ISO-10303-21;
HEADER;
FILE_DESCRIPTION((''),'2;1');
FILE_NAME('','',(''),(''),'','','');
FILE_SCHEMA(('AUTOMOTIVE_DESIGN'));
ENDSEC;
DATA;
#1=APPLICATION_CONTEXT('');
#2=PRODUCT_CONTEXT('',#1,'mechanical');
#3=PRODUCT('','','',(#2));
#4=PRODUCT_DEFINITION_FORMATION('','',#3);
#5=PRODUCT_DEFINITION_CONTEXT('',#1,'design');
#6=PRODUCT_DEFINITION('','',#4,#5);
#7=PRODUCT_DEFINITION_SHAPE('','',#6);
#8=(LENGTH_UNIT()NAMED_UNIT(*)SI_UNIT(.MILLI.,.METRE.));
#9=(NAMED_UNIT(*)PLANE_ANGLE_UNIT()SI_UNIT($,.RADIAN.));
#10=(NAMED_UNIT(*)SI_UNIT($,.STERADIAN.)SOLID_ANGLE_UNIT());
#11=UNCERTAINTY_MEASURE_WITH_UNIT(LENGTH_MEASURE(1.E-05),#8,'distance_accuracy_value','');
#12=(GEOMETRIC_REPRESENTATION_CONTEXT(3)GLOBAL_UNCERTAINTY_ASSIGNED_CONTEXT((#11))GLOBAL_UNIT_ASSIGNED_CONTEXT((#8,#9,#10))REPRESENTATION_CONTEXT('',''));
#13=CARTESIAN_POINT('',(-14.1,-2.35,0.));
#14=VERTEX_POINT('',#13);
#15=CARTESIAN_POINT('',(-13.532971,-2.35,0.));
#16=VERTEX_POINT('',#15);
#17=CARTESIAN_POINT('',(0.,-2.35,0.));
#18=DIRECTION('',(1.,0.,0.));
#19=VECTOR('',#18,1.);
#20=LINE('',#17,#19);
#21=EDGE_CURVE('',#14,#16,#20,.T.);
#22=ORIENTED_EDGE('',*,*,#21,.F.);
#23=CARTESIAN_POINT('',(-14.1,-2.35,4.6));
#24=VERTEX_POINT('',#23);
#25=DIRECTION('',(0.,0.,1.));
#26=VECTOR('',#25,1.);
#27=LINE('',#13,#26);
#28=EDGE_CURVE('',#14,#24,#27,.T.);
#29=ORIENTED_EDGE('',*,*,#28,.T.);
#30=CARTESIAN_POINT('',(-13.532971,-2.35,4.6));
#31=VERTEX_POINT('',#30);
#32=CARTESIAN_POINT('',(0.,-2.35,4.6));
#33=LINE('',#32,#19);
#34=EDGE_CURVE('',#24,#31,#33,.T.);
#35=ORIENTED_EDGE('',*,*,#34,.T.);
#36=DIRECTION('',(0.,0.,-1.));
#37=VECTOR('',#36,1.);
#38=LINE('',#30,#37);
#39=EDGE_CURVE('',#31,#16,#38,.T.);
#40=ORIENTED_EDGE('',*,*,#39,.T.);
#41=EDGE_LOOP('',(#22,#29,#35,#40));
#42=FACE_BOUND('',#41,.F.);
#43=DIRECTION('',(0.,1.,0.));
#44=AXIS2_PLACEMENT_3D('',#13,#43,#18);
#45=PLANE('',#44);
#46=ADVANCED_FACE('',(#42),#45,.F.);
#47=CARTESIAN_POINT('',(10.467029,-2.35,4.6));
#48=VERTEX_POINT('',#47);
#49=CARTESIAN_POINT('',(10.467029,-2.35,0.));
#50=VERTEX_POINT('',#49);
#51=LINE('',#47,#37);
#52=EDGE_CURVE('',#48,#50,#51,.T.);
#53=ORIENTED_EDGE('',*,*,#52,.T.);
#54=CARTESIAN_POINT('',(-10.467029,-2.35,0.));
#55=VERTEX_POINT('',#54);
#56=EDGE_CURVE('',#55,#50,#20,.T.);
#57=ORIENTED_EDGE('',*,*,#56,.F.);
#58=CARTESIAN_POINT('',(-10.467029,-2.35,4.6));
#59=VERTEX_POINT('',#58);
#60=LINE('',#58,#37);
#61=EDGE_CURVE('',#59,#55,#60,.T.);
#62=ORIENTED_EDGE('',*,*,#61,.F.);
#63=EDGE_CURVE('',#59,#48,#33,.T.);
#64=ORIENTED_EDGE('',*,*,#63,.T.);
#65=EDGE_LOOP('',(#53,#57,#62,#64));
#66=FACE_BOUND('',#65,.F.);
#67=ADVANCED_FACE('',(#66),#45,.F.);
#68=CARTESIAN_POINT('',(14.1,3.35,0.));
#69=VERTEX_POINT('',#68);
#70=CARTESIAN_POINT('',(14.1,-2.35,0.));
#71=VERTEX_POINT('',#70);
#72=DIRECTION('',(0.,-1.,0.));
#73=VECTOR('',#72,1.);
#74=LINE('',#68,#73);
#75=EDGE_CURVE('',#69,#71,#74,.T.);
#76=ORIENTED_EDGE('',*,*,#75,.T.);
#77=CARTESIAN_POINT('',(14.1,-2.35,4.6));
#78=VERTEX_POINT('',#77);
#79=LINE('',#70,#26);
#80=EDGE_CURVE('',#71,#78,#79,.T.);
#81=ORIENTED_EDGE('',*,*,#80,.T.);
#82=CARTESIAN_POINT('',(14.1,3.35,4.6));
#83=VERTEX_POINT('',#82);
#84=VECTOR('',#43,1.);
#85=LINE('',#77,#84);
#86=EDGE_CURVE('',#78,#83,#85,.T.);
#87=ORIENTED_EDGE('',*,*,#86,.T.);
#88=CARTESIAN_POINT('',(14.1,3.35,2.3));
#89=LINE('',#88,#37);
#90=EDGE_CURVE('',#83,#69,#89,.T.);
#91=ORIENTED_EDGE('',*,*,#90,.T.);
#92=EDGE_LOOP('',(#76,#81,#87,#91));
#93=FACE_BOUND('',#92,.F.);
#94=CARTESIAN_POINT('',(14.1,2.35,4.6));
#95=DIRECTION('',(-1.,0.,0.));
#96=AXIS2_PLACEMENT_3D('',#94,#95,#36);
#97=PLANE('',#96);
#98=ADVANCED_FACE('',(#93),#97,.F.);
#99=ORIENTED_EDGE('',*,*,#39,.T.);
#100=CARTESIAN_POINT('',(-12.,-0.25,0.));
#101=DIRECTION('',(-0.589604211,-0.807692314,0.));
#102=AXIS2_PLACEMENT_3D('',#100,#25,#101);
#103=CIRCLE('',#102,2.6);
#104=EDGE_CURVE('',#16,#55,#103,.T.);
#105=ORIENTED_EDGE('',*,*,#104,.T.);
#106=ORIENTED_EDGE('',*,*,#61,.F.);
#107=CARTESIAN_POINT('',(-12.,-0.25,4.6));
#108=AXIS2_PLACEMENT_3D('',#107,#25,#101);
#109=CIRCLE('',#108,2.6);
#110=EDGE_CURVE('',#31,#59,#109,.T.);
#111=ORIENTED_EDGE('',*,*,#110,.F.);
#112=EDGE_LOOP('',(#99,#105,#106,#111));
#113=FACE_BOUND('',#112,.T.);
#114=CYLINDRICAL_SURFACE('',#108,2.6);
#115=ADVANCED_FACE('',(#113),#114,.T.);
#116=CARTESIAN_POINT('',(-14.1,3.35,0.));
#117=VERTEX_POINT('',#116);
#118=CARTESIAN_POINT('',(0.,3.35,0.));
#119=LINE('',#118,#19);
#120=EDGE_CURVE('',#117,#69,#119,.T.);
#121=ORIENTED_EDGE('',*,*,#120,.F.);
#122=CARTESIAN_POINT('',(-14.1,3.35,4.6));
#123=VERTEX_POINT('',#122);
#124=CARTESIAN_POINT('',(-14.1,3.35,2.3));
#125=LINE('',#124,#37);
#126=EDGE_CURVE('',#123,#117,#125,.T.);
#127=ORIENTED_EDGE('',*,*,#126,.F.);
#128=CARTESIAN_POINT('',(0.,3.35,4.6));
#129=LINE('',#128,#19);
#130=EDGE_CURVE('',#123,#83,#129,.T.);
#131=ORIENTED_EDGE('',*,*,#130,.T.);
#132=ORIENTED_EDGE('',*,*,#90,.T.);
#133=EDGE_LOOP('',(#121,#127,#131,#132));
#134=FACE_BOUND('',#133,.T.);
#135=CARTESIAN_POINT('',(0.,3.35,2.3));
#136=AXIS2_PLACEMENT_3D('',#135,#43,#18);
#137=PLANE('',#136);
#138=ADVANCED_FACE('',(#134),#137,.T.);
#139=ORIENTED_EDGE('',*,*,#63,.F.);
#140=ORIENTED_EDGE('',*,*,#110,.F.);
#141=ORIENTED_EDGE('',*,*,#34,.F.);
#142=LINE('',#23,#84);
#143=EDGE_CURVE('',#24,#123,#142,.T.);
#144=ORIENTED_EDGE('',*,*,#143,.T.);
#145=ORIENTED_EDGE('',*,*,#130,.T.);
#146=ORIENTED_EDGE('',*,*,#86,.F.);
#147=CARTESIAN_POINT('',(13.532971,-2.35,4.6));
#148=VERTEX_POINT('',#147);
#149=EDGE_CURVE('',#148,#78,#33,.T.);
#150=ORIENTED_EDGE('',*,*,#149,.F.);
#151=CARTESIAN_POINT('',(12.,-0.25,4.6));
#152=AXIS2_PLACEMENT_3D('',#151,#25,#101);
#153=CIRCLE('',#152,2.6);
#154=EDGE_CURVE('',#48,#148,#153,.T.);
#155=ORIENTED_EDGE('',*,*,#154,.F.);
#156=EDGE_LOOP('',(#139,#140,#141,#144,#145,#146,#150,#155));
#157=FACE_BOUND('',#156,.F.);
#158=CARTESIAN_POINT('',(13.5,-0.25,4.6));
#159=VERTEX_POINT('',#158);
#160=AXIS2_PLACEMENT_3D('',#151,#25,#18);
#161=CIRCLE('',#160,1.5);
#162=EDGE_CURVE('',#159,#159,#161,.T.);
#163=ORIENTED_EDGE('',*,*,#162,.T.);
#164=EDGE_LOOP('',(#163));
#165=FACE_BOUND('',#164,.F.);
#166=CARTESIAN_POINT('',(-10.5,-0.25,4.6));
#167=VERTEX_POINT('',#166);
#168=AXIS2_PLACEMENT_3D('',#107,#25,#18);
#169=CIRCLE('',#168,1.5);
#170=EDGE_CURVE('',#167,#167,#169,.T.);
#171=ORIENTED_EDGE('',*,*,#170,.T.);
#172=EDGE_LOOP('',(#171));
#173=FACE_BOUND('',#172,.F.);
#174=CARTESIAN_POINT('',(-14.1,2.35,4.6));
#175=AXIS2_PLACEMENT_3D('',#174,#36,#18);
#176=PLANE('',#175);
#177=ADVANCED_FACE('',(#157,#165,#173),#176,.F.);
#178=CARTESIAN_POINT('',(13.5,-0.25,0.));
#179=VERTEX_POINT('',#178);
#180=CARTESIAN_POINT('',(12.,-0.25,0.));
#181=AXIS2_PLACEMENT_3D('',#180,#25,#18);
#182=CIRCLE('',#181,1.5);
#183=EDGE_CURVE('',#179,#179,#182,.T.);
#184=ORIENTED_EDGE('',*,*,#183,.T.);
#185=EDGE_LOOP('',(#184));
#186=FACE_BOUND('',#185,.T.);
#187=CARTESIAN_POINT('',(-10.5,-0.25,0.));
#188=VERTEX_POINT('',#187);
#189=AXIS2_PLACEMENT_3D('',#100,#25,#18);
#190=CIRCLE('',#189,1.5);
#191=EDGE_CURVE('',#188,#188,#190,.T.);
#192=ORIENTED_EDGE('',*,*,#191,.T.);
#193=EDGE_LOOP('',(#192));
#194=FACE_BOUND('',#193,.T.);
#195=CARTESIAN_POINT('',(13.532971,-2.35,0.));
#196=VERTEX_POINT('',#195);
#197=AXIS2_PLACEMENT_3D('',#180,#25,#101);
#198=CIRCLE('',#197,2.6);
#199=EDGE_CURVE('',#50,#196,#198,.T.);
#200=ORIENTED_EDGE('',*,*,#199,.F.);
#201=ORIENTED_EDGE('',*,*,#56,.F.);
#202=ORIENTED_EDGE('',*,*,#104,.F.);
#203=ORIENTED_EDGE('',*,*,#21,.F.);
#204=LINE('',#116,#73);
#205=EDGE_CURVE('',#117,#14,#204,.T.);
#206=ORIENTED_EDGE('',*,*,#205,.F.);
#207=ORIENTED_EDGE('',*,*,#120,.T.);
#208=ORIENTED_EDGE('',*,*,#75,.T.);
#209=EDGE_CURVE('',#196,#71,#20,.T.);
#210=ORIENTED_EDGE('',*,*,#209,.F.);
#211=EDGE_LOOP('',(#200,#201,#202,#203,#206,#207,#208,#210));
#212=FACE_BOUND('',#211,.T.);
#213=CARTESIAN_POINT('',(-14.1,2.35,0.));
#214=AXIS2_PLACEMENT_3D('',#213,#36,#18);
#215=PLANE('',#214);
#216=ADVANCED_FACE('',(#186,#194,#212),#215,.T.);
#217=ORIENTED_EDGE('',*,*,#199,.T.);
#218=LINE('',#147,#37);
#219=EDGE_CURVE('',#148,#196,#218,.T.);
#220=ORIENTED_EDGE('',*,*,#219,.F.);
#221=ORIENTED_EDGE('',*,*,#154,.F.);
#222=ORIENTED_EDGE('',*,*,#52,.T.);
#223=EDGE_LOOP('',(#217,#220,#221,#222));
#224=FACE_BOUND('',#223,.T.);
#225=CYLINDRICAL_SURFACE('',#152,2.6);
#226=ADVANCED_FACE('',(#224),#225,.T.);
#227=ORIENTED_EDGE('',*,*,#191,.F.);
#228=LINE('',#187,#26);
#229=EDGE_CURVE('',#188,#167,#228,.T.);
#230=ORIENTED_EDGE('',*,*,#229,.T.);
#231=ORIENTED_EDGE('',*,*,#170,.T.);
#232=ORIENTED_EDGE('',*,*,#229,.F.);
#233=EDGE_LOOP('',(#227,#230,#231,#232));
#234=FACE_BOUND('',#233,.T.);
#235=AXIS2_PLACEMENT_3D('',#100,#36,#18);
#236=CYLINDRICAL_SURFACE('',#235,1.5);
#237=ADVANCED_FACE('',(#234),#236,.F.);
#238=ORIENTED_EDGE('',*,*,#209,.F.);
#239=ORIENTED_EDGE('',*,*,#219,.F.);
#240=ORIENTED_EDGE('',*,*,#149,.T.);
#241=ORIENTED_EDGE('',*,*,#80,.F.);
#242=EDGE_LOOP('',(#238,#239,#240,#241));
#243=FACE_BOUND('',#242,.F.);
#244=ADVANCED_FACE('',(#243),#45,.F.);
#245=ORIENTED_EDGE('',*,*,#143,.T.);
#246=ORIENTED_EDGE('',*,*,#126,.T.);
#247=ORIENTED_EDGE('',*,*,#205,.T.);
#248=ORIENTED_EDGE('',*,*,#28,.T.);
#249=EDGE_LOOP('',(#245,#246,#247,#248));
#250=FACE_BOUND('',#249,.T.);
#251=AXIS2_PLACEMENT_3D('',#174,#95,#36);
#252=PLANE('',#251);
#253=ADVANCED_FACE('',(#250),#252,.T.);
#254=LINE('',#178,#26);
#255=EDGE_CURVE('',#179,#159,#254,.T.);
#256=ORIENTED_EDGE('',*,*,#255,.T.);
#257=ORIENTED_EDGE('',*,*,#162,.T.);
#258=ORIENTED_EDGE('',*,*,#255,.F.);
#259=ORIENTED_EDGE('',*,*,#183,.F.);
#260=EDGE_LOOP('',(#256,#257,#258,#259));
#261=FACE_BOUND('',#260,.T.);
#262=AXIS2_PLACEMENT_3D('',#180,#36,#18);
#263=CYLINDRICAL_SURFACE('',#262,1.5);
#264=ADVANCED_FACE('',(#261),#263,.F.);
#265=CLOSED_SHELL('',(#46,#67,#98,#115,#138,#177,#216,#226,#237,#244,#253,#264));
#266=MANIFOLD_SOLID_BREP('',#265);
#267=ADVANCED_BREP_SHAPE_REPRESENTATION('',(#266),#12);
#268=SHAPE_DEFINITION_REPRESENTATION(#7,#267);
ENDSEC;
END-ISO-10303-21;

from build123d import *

# Parameters (mm, degrees)
SKETCH_W       = 28.2
SKETCH_H       = 4.7
SKETCH_R       = 1.5
PAD_DEPTH      = 4.6
PAD001_DEPTH   = 4.6
PAD001_FACE2_W = 28.2
PAD001_FACE2_H = 4.6
PAD002_DEPTH   = 1


with BuildPart() as part:
    # Sketch → Pad (new body)
    with BuildSketch(Plane.XY):
        Rectangle(SKETCH_W, SKETCH_H)
        with Locations((-12, -0.25)):
            Circle(SKETCH_R, mode=Mode.SUBTRACT)
        with Locations((12, -0.25)):
            Circle(SKETCH_R, mode=Mode.SUBTRACT)
    extrude(amount=PAD_DEPTH)

    # Sketch001 (on Face8 of Pad) → Pad001 (join)
    with BuildSketch(Plane.XY.offset(4.6)):
        with BuildLine():
            ThreePointArc((10.467029, -2.35), (12, -2.85), (13.532971, -2.35))
            Line((10.467029, -2.35), (13.532971, -2.35))
        make_face()
        with BuildLine():
            ThreePointArc((-13.532971, -2.35), (-12, -2.85), (-10.467029, -2.35))
            Line((-13.532971, -2.35), (-10.467029, -2.35))
        make_face()
    extrude(amount=-PAD001_DEPTH)

    # Pad001 Face2 → Pad002 (add)
    with BuildSketch(Plane(origin=(0, 2.35, 2.3), x_dir=(1, 0, 0), z_dir=(0, 1, 0))):
        Rectangle(PAD001_FACE2_W, PAD001_FACE2_H)
    extrude(amount=PAD002_DEPTH)


solid = part.part
